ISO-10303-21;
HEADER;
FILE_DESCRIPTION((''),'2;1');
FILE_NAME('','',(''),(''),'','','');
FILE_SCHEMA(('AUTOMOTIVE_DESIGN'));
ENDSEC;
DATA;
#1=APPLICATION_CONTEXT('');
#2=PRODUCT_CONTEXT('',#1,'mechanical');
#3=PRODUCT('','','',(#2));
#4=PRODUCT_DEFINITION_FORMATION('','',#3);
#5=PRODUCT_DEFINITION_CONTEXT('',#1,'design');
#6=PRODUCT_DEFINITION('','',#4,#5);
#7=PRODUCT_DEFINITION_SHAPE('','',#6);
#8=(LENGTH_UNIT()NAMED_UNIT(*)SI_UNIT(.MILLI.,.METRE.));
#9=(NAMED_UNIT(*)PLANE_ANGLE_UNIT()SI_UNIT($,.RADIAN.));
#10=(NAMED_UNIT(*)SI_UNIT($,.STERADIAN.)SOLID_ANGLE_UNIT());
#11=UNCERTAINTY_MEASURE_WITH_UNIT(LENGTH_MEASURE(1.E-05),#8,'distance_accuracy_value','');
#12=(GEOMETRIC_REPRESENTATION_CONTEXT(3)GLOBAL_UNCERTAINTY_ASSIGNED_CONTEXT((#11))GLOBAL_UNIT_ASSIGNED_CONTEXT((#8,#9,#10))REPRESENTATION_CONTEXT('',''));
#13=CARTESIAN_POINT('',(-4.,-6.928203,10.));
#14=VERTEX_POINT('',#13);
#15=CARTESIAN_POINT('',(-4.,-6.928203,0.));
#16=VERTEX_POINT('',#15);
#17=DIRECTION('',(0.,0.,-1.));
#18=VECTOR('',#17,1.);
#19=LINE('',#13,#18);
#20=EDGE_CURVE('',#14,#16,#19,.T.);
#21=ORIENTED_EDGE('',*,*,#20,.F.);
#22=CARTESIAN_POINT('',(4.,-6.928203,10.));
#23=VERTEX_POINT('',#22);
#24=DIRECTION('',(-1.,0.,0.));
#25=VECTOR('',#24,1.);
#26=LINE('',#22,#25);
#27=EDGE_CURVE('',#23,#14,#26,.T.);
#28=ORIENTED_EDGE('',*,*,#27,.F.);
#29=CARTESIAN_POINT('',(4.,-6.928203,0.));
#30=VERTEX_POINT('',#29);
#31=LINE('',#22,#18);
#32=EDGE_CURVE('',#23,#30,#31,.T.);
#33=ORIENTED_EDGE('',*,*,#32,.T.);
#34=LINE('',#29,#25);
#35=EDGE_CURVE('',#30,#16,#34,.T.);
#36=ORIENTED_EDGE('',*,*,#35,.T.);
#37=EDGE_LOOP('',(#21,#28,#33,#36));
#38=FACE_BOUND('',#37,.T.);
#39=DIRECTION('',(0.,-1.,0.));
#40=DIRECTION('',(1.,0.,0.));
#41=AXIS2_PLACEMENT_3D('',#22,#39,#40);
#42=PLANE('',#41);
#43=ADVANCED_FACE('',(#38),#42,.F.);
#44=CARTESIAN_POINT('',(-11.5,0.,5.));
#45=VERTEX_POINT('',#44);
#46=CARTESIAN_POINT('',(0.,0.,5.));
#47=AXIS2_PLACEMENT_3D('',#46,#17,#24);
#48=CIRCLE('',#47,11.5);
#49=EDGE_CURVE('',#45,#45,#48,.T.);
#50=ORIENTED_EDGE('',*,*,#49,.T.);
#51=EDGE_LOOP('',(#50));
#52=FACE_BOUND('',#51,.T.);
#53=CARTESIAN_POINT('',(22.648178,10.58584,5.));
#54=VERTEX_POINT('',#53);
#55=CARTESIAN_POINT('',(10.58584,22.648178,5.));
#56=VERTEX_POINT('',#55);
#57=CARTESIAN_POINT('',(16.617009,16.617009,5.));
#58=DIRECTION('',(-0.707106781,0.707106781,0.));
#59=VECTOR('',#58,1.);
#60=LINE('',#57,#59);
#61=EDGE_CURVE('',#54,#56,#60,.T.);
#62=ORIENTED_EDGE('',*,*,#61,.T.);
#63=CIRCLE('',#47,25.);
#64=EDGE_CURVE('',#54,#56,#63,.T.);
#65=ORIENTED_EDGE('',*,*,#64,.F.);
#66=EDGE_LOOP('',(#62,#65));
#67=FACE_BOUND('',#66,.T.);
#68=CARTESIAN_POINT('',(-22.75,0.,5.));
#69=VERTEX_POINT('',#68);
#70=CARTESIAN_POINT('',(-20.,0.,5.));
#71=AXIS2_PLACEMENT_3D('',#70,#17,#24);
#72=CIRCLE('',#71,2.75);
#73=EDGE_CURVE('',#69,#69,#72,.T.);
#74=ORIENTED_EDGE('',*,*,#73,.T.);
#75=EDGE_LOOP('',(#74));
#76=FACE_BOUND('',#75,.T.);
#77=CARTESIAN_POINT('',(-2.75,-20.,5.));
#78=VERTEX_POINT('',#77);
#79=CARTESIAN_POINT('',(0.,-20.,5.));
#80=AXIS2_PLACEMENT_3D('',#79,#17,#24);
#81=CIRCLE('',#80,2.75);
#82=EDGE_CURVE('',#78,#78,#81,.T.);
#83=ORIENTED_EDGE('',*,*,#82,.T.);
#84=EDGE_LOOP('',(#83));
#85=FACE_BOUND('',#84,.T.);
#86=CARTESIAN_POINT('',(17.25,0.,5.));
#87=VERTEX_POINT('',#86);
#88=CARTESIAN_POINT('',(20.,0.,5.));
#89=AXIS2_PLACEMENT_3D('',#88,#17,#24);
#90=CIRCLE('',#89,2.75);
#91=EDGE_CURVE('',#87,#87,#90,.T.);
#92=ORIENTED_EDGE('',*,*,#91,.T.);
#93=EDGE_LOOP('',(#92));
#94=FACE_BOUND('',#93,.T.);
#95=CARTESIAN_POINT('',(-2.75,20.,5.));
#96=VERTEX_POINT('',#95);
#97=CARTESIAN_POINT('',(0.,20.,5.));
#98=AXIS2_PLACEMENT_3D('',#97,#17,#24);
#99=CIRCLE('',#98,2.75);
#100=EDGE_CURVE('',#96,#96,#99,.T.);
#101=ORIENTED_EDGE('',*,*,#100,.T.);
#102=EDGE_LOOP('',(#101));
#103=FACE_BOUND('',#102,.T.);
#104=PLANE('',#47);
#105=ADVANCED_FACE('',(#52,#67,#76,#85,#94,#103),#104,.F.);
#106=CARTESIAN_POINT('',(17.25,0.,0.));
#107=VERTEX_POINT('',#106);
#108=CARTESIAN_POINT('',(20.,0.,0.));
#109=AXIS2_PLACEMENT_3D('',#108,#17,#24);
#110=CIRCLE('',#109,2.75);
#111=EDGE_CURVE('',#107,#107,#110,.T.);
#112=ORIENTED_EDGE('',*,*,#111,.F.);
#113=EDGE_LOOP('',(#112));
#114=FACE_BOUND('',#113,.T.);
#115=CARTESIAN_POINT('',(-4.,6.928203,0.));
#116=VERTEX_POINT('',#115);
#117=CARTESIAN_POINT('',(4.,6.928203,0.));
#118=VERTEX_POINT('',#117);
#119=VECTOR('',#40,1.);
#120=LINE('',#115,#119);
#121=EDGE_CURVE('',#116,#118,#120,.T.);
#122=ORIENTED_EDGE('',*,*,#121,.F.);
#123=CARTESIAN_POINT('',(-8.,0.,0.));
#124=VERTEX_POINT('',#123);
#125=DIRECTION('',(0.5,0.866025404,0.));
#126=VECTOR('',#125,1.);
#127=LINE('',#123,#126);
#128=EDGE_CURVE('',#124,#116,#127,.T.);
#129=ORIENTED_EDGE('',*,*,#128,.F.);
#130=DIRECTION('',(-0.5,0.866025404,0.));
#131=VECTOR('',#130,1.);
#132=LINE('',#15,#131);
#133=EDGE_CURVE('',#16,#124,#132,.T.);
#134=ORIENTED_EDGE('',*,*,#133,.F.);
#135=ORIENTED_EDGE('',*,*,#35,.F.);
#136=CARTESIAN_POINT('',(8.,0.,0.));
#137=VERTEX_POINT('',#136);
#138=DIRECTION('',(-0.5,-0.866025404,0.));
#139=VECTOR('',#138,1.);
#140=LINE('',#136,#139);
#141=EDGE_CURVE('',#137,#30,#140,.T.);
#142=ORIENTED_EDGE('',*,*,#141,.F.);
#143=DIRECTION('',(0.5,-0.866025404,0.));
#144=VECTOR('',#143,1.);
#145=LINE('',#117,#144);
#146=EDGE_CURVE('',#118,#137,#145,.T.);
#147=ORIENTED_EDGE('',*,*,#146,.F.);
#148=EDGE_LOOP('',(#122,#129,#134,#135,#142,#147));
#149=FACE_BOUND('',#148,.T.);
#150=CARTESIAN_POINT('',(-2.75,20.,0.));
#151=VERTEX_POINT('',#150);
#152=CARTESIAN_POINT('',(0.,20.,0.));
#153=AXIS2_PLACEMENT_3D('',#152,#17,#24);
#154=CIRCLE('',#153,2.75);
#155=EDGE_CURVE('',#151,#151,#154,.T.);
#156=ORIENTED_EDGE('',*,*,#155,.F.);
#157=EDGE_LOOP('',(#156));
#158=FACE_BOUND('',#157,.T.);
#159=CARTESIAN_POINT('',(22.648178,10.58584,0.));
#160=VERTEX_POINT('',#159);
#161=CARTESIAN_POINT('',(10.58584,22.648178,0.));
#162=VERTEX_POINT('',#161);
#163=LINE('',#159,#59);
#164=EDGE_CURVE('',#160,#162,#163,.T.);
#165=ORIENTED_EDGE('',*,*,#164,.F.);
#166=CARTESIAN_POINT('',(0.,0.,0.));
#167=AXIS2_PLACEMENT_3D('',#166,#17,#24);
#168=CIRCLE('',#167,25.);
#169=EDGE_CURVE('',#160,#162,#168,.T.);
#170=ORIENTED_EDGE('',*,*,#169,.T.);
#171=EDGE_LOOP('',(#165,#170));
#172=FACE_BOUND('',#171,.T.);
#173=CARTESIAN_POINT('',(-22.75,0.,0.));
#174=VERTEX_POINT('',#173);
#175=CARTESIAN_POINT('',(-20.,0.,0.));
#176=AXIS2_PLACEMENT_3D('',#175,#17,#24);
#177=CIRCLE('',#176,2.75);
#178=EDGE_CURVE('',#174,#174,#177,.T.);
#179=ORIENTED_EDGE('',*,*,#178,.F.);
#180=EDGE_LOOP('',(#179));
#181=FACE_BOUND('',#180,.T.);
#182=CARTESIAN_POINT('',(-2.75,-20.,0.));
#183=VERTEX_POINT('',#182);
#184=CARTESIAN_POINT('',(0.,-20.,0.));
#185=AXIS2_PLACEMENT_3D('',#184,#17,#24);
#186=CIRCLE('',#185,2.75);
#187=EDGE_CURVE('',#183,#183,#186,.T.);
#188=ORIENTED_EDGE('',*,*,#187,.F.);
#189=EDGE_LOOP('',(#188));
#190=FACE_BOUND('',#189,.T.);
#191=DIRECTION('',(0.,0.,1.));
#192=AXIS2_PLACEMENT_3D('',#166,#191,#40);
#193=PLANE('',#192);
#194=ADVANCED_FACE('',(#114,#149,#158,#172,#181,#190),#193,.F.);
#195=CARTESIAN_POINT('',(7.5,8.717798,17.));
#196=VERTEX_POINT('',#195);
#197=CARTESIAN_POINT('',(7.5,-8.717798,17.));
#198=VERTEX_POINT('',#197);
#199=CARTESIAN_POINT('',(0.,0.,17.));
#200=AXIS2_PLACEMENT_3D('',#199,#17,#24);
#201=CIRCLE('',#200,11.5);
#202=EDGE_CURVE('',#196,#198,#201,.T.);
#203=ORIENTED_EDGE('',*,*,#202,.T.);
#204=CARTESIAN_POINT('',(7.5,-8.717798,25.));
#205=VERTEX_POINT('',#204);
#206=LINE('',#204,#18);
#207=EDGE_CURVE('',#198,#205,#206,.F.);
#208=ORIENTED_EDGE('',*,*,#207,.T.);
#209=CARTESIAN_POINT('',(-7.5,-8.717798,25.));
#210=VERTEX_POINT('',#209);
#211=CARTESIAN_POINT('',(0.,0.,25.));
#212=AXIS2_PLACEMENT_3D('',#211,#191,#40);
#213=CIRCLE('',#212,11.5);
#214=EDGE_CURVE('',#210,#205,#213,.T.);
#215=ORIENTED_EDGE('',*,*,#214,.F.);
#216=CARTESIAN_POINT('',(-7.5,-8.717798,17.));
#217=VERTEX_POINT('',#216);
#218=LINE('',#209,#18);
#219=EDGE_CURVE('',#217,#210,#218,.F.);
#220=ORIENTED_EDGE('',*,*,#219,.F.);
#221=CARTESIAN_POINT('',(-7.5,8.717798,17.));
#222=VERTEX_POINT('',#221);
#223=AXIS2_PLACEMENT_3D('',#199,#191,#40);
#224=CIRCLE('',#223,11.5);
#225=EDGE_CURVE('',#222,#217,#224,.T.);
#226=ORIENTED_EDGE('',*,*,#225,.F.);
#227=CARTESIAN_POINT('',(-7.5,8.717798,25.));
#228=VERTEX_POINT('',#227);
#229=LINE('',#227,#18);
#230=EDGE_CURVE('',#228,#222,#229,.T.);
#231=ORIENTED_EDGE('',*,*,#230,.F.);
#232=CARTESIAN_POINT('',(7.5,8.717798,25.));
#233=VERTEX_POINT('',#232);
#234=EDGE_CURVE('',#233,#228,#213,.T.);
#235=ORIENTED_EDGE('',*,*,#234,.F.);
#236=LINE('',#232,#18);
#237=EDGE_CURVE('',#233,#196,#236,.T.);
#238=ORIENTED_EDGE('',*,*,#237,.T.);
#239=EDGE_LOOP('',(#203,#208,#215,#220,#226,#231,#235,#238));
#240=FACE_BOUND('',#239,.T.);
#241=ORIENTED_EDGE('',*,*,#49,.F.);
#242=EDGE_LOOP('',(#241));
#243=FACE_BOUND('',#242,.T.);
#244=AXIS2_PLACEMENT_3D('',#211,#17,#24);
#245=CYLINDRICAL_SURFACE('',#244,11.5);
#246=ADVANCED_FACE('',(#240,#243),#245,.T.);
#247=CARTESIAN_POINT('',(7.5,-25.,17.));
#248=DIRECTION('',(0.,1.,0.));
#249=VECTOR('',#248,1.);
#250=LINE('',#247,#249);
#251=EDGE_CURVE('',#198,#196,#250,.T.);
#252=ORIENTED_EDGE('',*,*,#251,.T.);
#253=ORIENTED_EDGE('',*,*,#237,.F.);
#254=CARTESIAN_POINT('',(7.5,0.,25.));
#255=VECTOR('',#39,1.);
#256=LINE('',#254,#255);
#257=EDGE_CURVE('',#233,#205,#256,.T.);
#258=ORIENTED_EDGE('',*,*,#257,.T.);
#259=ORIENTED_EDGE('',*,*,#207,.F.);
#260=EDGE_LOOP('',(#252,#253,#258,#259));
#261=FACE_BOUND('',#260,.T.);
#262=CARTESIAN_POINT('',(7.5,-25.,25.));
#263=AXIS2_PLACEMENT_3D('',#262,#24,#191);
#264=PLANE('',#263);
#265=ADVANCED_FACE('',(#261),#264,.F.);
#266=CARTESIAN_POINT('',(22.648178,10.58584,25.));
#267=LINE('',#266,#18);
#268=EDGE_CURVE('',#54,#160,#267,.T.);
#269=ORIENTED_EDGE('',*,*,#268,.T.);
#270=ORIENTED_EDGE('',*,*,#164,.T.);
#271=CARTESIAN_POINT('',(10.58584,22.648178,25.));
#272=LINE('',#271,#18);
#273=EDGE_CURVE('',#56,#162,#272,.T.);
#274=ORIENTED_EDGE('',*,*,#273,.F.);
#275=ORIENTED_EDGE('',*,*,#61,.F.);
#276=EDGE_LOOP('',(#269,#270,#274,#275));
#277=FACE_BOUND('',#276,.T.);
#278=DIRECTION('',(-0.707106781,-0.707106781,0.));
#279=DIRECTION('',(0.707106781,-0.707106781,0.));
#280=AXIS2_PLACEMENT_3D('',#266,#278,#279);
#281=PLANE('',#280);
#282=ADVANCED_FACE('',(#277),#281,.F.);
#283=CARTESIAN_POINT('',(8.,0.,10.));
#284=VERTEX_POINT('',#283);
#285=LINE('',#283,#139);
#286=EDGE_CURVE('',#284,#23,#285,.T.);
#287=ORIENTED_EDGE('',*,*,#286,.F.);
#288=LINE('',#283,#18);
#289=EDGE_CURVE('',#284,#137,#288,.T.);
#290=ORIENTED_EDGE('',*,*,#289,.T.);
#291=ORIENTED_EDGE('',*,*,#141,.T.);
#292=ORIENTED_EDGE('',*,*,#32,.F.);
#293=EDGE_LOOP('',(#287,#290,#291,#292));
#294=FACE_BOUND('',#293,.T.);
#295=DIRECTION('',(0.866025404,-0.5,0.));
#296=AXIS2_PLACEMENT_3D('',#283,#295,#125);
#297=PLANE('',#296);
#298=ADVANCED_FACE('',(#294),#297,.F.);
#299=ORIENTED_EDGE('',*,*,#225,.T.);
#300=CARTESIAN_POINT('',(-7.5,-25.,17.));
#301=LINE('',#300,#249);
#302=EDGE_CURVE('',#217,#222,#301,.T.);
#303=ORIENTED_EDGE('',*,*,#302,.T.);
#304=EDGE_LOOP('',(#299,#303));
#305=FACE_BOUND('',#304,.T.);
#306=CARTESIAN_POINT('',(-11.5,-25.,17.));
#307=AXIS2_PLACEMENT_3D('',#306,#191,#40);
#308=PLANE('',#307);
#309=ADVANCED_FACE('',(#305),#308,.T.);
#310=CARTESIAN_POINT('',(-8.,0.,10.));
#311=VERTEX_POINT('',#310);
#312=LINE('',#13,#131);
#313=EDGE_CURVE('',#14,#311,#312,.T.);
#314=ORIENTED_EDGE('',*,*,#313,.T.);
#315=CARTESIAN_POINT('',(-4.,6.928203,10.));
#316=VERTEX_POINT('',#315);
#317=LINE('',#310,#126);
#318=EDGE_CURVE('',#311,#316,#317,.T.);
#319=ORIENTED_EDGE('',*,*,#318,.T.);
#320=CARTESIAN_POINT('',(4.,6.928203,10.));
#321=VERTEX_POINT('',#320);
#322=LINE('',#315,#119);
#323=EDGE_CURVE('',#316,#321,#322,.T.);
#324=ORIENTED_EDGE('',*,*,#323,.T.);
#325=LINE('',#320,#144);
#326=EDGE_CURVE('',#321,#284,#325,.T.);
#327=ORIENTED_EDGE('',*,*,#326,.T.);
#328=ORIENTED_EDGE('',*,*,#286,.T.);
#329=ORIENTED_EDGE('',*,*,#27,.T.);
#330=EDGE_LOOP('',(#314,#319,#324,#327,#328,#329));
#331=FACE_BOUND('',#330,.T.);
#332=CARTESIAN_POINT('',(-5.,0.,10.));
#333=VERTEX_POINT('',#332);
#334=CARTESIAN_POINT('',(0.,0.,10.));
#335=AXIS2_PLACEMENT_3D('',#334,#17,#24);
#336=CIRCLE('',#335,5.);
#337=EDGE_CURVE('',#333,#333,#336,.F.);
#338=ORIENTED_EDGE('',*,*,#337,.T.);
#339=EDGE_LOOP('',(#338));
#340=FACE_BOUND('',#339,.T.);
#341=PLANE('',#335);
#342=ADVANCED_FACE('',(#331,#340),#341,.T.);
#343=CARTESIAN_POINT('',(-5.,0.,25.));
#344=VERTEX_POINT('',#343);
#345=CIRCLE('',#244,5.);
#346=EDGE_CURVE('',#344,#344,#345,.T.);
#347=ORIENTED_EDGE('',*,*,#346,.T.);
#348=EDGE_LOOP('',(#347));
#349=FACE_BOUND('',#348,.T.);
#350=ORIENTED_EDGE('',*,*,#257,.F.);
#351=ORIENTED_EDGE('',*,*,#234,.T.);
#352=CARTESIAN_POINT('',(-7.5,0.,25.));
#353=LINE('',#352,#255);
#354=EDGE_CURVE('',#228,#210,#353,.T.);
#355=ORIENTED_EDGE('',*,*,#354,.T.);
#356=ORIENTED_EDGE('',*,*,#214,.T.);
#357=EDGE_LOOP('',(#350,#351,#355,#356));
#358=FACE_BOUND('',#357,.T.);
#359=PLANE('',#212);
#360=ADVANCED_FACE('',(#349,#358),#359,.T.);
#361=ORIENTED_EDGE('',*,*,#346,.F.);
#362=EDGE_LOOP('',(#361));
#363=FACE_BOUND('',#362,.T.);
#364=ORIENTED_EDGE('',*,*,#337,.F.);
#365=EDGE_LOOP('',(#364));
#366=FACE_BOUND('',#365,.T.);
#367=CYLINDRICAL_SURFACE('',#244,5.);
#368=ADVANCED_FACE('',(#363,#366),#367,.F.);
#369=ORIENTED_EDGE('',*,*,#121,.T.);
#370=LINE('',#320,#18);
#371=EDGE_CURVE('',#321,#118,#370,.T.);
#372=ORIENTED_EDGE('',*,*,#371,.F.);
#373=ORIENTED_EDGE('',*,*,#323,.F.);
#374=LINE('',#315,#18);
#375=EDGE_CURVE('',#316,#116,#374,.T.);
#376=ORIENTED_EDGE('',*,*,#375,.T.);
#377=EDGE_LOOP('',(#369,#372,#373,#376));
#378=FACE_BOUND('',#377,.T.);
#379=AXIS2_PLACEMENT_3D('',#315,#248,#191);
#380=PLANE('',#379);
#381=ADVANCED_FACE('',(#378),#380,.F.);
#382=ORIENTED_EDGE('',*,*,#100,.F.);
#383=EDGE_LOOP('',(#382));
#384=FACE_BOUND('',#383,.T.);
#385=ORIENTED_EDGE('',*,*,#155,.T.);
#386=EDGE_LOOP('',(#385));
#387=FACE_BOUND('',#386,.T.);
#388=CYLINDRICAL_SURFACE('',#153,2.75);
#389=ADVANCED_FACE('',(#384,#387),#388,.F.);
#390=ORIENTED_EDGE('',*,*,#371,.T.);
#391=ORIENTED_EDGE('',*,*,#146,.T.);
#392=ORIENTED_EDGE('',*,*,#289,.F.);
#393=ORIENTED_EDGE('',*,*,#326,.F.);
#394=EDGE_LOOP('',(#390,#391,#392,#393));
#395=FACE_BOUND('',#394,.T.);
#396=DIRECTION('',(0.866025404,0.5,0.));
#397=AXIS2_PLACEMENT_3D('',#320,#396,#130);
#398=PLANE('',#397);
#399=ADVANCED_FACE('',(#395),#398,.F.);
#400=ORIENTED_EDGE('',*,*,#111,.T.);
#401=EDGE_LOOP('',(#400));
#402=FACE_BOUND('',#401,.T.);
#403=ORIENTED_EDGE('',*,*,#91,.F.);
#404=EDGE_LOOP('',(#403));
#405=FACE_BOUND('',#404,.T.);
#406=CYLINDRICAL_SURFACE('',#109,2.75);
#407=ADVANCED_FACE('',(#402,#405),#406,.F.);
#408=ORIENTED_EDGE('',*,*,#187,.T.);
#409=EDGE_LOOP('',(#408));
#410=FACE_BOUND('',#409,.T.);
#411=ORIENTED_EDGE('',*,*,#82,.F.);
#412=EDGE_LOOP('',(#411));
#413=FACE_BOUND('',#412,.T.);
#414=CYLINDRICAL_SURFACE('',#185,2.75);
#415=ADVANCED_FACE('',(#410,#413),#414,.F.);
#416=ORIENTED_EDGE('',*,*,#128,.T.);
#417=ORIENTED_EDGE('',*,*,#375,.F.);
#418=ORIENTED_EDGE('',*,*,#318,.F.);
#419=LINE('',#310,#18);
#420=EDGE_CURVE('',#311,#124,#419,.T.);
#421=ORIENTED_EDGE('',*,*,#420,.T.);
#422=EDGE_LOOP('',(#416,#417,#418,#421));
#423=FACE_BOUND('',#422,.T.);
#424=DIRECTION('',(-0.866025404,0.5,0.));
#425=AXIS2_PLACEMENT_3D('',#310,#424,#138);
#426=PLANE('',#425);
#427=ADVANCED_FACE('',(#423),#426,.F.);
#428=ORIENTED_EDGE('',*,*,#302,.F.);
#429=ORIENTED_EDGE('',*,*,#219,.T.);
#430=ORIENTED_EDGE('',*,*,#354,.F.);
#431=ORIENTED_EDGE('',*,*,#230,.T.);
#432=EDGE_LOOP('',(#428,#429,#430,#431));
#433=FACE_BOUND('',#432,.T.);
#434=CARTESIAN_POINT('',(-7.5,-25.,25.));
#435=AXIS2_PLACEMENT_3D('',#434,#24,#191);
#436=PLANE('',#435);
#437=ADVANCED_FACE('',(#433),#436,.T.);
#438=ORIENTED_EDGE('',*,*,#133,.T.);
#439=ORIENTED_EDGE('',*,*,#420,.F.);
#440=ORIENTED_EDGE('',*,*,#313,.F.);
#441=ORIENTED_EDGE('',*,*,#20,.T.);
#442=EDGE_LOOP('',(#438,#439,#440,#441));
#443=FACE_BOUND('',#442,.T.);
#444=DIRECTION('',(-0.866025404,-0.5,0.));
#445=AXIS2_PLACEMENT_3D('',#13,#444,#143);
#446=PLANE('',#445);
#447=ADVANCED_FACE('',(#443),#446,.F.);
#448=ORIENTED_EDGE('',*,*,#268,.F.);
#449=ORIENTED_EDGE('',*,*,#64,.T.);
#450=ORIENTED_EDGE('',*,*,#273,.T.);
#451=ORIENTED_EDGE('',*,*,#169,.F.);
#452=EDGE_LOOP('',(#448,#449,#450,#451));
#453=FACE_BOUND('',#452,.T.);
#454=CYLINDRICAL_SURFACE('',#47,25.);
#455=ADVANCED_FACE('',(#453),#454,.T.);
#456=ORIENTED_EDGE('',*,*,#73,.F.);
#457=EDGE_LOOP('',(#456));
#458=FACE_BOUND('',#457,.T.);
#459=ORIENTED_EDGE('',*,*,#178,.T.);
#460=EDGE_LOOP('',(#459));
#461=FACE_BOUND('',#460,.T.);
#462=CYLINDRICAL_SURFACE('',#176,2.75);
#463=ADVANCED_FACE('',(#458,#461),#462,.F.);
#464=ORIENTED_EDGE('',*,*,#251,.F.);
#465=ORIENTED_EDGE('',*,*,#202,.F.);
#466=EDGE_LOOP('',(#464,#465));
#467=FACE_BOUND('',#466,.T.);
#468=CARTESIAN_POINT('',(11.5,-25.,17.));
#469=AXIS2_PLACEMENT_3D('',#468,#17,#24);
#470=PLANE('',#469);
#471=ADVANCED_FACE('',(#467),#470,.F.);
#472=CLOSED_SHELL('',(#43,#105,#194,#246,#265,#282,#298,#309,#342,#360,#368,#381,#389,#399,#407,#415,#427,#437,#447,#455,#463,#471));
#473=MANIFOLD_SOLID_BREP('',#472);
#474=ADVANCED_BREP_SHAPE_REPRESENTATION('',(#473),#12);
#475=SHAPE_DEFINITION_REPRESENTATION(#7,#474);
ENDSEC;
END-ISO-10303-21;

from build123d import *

# Parameters (mm, degrees)
SKETCH1_R            = 11.5
BOSS_EXTRUDE1_DEPTH  = 25
SKETCH2_R            = 25
BOSS_EXTRUDE2_DEPTH  = 5
SKETCH3_R            = 5
CUT_EXTRUDE1_DEPTH   = 44.301270189
CUT_EXTRUDE2_DEPTH   = 10
SKETCH5_W            = 4
SKETCH5_H            = 8
CUT_EXTRUDE3_DEPTH   = 44.301270189
M5_CLEARANCE_HOLE1_D = 5.5
CUT_EXTRUDE4_DEPTH   = 44.301270189


with BuildPart() as part:
    # Sketch1 → Boss-Extrude1 (new body)
    with BuildSketch(Plane.XY):
        Circle(SKETCH1_R)
    extrude(amount=BOSS_EXTRUDE1_DEPTH)

    # Sketch2 → Boss-Extrude2 (add)
    with BuildSketch(Plane(origin=(0, 0, 0), x_dir=(-1, 0, 0), z_dir=(0, 0, -1))):
        Circle(SKETCH2_R)
    extrude(amount=-BOSS_EXTRUDE2_DEPTH)

    # Sketch3 → Cut-Extrude1 (cut, through all)
    with BuildSketch(Plane(origin=(0, 0, 0), x_dir=(-1, 0, 0), z_dir=(0, 0, -1))):
        Circle(SKETCH3_R)
    extrude(amount=-CUT_EXTRUDE1_DEPTH, mode=Mode.SUBTRACT)

    # Sketch4 → Cut-Extrude2 (cut)
    with BuildSketch(Plane(origin=(0, 0, 0), x_dir=(-1, 0, 0), z_dir=(0, 0, -1))):
        Polygon((8, 0), (4, 6.92820323), (-4, 6.92820323), (-8, 0), (-4, -6.92820323), (4, -6.92820323), align=None)
    extrude(amount=-CUT_EXTRUDE2_DEPTH, mode=Mode.SUBTRACT)

    # Sketch5 → Cut-Extrude3 (cut, symmetric)
    with BuildSketch(Plane(origin=(0, 0, 0), x_dir=(1, 0, 0), z_dir=(0, 1, 0))):
        with Locations((9.5, -21)):
            Rectangle(SKETCH5_W, SKETCH5_H)
    cut_extrude3 = extrude(amount=CUT_EXTRUDE3_DEPTH, both=True, mode=Mode.SUBTRACT)

    # Mirror1: Cut-Extrude3 across plane
    add(cut_extrude3.mirror(Plane(origin=(0, 0, 0), x_dir=(0, 0, 1), z_dir=(1, 0, 0))), mode=Mode.SUBTRACT)

    # M5 Clearance Hole1 (through all)
    with Locations(Plane(origin=(0, 0, 0), x_dir=(-1, 0, 0), z_dir=(0, 0, -1))):
        with Locations((0, 20), (-20, 0), (20, 0), (0, -20)):
            Hole(M5_CLEARANCE_HOLE1_D / 2)

    # Sketch8 → Cut-Extrude4 (cut, through all)
    with BuildSketch(Plane(origin=(0, 0, 0), x_dir=(-1, 0, 0), z_dir=(0, 0, -1))):
        with BuildLine():
            Line((-22.648178399, 10.585840317), (-10.585840317, 22.648178399))
            ThreePointArc((-10.585840317, 22.648178399), (-17.67766953, 17.67766953), (-22.648178399, 10.585840317))
        make_face()
    extrude(amount=-CUT_EXTRUDE4_DEPTH, mode=Mode.SUBTRACT)


solid = part.part
